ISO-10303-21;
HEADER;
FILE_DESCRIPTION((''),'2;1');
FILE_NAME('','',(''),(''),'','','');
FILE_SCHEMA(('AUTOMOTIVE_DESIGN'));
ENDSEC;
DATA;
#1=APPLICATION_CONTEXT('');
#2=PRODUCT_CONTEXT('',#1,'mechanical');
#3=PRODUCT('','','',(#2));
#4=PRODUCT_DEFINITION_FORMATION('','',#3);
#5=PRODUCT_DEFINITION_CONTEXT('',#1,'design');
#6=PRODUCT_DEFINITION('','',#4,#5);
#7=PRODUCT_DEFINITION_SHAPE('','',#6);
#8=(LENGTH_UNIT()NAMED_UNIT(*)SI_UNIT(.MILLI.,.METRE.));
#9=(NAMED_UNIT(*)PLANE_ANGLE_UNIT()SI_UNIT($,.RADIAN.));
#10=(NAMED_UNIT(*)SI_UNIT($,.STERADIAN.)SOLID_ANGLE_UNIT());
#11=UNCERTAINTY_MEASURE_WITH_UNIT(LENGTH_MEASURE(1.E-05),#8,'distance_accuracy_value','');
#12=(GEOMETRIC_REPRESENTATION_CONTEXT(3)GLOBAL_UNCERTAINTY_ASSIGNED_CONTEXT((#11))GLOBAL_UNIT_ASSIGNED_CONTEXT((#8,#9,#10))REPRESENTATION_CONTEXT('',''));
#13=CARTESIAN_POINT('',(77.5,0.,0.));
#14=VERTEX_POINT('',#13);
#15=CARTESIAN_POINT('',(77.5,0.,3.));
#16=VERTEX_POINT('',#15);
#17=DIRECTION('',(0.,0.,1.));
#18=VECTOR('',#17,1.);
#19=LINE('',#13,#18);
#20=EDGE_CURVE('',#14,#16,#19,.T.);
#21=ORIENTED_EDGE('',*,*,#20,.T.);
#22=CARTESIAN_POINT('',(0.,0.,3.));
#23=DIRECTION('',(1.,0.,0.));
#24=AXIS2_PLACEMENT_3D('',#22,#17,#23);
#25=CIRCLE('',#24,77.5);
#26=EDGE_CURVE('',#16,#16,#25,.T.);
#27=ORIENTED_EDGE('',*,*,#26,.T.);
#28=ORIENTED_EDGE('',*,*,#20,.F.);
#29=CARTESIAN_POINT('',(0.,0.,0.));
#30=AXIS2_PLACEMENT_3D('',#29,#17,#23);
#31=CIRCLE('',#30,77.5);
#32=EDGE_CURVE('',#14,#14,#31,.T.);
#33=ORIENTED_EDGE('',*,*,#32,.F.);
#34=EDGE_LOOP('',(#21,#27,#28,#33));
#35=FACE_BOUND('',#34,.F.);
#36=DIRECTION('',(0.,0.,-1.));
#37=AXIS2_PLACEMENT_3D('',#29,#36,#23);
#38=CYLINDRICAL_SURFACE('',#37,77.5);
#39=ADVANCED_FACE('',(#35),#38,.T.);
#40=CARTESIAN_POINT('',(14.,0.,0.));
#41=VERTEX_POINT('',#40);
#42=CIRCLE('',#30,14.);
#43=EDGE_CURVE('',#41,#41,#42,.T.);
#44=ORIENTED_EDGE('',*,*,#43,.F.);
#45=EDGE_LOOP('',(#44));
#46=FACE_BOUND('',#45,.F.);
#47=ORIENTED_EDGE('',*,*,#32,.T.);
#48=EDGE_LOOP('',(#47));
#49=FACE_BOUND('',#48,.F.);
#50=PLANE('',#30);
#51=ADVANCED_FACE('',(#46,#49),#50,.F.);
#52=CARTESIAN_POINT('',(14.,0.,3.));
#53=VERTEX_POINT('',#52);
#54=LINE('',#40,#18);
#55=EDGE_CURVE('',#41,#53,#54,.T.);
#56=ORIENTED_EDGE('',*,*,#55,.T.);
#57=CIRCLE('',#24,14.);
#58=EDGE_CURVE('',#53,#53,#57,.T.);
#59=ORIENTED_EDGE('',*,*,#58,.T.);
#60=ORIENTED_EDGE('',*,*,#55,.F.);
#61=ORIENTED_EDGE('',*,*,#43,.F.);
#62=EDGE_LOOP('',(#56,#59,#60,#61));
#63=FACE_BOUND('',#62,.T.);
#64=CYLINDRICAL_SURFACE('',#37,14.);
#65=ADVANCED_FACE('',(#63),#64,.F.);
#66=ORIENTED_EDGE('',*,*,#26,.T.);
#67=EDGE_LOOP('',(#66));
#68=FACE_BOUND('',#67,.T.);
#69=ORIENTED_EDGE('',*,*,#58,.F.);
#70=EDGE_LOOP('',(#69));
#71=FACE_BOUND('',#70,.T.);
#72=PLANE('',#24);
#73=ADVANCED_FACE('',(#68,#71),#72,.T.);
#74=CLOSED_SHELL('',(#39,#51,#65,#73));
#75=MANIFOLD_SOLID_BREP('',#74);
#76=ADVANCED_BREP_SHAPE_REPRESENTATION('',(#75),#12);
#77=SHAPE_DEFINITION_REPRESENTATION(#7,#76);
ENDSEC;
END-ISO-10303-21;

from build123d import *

# Parameters (mm, degrees)
CYLINDER017_R     = 14
CYLINDER017_DEPTH = 3
CYLINDER_R        = 77.5
CYLINDER_DEPTH    = 3


with BuildPart() as cylinder001:
    # Cylinder017 → Cylinder017 (new body)
    with BuildSketch(Plane.XY):
        Circle(CYLINDER017_R)
    extrude(amount=CYLINDER017_DEPTH)


with BuildPart() as cut:
    # Cylinder → Cylinder (new body)
    with BuildSketch(Plane.XY):
        Circle(CYLINDER_R)
    extrude(amount=CYLINDER_DEPTH)

    # Cut: cut Cylinder001
    add(cylinder001.part, mode=Mode.SUBTRACT)


solid = cut.part
